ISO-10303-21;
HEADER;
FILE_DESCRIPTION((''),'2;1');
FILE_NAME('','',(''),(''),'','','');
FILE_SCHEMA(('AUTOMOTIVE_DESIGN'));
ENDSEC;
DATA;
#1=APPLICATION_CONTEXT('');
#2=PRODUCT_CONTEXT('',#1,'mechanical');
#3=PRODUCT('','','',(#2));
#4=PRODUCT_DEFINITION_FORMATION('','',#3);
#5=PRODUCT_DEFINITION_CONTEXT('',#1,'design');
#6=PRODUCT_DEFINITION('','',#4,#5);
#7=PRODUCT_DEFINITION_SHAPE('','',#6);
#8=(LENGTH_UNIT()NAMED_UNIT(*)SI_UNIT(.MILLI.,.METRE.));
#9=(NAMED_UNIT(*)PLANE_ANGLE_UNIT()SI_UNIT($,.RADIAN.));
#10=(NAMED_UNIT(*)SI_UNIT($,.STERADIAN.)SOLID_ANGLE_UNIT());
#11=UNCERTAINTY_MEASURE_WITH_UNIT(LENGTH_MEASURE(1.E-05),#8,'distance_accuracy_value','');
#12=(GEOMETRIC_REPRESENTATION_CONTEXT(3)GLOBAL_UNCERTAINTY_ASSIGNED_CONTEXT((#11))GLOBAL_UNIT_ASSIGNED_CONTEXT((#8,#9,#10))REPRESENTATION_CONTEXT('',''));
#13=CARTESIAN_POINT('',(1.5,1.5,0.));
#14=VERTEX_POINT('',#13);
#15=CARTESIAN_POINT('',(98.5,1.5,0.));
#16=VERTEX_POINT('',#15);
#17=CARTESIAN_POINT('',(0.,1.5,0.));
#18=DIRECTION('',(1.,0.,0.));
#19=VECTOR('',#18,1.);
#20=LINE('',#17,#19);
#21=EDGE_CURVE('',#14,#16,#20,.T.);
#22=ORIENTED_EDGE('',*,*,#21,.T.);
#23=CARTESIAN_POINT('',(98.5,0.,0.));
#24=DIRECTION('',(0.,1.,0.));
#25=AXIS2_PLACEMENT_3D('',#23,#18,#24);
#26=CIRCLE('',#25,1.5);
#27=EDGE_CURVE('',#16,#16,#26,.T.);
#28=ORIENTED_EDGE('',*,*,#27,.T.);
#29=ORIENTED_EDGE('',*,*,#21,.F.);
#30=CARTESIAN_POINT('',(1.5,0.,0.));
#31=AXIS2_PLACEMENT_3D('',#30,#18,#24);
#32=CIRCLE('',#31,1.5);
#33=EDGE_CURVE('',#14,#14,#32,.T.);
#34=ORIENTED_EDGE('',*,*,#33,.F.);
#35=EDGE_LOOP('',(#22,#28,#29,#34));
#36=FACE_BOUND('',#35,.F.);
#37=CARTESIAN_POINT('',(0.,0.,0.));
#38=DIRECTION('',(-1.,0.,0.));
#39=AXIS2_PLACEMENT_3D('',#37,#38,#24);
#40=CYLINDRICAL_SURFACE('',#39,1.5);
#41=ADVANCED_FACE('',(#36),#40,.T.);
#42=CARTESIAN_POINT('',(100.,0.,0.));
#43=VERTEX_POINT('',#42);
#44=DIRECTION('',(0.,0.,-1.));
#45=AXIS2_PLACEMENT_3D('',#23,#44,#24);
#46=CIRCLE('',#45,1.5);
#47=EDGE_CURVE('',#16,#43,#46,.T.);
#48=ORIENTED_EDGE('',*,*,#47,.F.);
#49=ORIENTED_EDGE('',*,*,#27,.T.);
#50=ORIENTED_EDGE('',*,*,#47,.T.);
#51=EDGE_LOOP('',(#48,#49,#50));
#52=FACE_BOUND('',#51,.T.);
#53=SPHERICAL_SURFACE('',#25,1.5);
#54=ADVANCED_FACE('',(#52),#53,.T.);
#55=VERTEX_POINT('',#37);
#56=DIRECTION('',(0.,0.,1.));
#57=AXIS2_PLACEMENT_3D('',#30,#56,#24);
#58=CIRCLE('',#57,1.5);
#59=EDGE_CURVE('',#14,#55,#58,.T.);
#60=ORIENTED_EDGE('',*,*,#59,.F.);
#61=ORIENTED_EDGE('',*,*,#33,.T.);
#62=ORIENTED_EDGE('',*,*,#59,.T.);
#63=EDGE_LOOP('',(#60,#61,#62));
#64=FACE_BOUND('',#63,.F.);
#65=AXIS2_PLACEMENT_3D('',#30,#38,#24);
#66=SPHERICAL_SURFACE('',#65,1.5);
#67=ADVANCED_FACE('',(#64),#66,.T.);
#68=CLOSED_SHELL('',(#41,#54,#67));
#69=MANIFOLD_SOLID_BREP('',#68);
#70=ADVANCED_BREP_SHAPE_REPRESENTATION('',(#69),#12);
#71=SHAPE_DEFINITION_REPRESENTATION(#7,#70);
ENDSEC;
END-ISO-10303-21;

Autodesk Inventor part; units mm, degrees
ref_plane "YZ Plane" through (0, 0, 0) normal (1, 0, 0) x (0, 1, 0)
ref_plane "XZ Plane" through (0, 0, 0) normal (0, 1, 0) x (-1, 0, 0)
ref_plane "XY Plane" through (0, 0, 0) normal (0, 0, 1) x (1, 0, 0)
sketch "Sketch1" plane through (0, 0, 0) normal (1, 0, 0) x (0, 1, 0)
  circle A0 centre (0, 0) radius 1.5
  dimension "d0" = 3
extrude "Extrusion1" add sketch "Sketch1" along normal blind 100
fillet "Fillet1" radius 1.5 2 edges at (0, -1.5, 0) (100, -1.5, 0)
properties part number "Heat Pipe 100 mm" material "Copper, Alloy"
